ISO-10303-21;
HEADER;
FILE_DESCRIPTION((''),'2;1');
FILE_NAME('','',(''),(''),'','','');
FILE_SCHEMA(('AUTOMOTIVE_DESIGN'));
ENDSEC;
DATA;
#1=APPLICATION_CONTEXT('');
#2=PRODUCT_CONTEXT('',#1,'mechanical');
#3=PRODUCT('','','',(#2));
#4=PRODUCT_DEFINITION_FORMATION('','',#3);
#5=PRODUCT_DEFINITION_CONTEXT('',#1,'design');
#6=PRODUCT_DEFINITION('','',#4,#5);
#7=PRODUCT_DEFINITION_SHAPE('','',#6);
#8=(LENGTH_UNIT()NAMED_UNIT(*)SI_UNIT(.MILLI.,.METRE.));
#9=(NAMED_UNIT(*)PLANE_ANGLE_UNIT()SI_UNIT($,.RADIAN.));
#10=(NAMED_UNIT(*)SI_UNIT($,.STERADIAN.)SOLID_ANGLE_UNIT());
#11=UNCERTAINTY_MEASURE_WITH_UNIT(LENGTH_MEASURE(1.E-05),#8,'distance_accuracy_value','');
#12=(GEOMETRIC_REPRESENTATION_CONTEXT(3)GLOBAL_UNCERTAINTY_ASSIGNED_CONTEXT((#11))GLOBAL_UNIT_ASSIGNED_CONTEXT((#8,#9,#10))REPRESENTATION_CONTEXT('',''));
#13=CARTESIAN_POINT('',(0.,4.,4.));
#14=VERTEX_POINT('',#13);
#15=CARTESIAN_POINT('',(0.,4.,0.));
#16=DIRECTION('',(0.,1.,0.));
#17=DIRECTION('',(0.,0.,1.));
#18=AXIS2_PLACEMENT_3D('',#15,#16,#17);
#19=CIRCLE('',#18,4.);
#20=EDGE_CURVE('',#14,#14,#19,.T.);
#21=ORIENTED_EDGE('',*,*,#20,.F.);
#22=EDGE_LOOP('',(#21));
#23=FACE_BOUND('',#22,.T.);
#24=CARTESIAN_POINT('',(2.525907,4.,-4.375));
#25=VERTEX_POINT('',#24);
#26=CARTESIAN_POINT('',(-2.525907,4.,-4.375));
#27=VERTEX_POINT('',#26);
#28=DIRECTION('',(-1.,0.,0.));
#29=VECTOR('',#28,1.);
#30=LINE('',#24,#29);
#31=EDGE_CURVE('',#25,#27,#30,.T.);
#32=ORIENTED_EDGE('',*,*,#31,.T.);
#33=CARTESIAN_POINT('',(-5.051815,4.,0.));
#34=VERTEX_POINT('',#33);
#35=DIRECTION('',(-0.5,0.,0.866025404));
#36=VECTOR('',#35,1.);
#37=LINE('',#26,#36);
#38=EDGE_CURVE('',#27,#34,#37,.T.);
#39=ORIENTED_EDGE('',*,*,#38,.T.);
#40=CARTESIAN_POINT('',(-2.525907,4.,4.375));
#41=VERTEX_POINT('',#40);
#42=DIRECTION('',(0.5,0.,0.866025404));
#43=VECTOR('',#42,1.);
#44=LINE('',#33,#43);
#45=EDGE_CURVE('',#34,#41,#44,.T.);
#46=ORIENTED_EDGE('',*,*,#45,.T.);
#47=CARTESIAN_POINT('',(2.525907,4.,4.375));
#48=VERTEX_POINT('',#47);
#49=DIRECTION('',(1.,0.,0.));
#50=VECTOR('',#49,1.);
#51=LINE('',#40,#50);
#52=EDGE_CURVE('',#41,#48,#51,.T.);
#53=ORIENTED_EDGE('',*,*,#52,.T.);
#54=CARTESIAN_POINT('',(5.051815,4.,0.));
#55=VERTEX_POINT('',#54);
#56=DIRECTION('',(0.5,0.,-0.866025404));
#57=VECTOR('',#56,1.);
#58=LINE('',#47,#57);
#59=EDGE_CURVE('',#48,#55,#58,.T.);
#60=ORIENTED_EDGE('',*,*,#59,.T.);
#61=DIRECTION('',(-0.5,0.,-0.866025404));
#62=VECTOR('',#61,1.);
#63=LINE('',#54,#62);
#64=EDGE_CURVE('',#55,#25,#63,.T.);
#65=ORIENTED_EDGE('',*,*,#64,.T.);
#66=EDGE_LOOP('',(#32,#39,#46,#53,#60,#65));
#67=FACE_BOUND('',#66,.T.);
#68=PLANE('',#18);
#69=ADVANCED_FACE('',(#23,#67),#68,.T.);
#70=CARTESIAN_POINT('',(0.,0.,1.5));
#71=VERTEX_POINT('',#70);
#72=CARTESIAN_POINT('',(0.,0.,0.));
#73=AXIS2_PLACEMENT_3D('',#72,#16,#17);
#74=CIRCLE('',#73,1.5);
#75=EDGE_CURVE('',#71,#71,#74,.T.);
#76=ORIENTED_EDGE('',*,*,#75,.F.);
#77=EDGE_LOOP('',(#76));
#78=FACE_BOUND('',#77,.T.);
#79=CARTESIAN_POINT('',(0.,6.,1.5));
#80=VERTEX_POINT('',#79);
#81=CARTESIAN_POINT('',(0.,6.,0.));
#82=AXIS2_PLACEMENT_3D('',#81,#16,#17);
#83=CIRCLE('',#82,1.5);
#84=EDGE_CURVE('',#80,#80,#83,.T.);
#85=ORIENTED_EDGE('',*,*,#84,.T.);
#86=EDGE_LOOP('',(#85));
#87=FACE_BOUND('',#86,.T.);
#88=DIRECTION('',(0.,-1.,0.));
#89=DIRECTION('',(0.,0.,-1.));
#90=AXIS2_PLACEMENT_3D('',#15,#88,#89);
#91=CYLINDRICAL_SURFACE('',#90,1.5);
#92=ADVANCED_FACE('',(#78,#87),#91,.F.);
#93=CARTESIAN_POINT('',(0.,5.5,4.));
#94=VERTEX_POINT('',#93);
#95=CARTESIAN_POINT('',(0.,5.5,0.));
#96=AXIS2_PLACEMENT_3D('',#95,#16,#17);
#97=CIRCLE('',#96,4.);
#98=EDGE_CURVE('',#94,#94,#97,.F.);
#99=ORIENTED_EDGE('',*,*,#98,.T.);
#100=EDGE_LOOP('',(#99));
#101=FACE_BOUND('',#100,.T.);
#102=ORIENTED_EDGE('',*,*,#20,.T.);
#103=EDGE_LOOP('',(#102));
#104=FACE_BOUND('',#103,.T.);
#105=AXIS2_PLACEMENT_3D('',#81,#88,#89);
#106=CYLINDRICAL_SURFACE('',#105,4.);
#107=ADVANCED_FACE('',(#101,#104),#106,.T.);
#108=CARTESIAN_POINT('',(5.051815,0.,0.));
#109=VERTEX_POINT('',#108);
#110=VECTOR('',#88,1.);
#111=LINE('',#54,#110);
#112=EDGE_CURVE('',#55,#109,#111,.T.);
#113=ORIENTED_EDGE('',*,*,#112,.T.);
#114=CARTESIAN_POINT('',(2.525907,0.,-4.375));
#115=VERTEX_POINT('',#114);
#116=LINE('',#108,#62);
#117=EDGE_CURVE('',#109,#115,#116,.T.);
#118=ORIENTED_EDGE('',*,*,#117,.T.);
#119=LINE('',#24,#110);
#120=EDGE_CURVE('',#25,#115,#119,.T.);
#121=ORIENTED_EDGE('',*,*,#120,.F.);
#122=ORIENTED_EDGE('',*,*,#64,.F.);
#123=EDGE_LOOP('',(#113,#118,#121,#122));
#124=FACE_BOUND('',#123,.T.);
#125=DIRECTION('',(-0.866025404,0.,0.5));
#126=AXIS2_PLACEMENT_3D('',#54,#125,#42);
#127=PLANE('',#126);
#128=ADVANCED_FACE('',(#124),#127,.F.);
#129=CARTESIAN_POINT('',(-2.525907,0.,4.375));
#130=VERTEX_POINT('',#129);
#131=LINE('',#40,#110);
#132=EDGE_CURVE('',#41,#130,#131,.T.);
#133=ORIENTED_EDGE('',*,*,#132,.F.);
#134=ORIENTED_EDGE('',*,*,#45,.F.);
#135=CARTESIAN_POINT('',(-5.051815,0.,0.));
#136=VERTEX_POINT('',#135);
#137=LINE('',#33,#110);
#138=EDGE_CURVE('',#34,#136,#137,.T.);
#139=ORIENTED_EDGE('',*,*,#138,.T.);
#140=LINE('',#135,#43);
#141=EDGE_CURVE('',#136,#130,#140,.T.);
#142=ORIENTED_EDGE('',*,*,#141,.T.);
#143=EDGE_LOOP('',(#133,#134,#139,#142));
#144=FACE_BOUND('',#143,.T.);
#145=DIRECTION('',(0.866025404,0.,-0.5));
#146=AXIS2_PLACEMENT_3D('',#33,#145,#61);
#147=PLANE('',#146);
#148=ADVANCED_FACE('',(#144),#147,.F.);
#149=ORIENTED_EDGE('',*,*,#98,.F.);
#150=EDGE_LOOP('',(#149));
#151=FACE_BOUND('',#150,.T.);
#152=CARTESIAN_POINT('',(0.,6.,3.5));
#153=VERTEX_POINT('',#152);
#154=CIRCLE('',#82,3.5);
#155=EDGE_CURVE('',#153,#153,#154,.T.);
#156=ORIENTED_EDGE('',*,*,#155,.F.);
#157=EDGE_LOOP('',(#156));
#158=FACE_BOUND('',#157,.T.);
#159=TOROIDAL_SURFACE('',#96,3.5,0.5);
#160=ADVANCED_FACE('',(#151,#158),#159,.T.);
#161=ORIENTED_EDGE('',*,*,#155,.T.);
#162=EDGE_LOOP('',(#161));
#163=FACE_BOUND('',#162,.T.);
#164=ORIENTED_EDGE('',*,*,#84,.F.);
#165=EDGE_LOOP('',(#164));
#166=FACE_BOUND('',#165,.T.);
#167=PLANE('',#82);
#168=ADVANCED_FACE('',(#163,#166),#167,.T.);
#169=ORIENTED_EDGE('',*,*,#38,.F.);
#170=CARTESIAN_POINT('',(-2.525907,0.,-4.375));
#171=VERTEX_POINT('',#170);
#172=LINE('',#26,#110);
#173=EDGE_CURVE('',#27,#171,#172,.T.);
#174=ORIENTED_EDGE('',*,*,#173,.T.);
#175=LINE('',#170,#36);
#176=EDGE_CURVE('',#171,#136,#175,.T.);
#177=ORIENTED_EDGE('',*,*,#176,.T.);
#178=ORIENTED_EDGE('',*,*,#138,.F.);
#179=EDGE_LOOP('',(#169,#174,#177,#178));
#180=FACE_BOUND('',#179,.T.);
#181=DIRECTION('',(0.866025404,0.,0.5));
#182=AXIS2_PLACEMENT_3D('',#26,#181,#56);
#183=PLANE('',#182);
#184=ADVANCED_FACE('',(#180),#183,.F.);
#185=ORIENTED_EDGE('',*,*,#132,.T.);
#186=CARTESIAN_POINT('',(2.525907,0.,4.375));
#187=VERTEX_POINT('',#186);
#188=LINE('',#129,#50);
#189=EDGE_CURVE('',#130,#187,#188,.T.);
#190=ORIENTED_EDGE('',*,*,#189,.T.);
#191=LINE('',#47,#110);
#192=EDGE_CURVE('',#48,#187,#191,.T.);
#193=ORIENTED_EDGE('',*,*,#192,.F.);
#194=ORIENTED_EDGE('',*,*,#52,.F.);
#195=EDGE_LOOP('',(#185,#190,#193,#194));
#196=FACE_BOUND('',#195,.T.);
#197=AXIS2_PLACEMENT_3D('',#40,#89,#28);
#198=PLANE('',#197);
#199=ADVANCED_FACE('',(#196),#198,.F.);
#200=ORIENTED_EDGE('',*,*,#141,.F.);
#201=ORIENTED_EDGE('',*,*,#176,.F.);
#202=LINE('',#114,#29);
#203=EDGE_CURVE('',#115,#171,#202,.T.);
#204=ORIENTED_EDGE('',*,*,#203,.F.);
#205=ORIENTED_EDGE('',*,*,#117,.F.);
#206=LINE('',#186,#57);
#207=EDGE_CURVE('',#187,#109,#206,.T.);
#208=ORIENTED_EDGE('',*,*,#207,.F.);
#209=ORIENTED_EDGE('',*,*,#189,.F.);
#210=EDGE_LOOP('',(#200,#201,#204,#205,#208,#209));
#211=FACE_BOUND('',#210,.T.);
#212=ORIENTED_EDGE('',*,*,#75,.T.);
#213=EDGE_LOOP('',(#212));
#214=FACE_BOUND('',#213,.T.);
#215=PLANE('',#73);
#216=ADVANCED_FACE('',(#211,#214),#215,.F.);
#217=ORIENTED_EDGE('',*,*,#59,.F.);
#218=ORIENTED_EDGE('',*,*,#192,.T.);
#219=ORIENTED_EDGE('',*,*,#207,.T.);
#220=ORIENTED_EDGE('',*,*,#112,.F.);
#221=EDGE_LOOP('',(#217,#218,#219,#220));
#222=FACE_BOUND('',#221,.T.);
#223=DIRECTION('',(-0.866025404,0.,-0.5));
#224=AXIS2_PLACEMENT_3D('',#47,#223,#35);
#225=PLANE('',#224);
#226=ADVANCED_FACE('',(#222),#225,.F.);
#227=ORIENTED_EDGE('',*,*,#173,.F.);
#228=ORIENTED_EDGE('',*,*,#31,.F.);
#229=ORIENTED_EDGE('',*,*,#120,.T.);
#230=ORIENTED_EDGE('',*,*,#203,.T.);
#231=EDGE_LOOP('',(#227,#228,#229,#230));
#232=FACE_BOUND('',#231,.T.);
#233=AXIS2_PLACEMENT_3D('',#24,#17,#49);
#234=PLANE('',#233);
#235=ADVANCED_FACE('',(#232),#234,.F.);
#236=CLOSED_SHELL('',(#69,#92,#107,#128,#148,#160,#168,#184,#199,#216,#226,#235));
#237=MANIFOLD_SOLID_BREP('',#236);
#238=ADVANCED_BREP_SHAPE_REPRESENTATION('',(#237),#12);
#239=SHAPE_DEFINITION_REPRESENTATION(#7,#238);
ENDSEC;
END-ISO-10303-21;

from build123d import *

# Parameters (mm, degrees)
SKETCH1_R           = 1.5
BOSS_EXTRUDE1_DEPTH = 4
SKETCH2_R           = 4
SKETCH2_R_2         = 1.5
BOSS_EXTRUDE2_DEPTH = 2
FILLET1_R           = 0.5


with BuildPart() as part:
    # Sketch1 → Boss-Extrude1 (new body)
    with BuildSketch(Plane(origin=(0, 0, 0), x_dir=(1, 0, 0), z_dir=(0, 1, 0))):
        Polygon((2.525907428, 4.375), (-2.525907428, 4.375), (-5.051814855, 0), (-2.525907428, -4.375), (2.525907428, -4.375), (5.051814855, 0), align=None)
        with Locations(Location((0, 0, 0), (0, 0, 270))):
            Circle(SKETCH1_R, mode=Mode.SUBTRACT)
    extrude(amount=BOSS_EXTRUDE1_DEPTH)

    # Sketch2 → Boss-Extrude2 (add)
    with BuildSketch(Plane(origin=(0, 4, 0), x_dir=(1, 0, 0), z_dir=(0, 1, 0))):
        with Locations(Location((0, 0, 0), (0, 0, 270))):
            Circle(SKETCH2_R)
        with Locations(Location((0, 0, 0), (0, 0, 270))):
            Circle(SKETCH2_R_2, mode=Mode.SUBTRACT)
    extrude(amount=BOSS_EXTRUDE2_DEPTH)

    # Fillet1
    fillet1_edges = [part.edges().sort_by_distance(p)[0] for p in [
        (0, 6, -4),
    ]]
    fillet(fillet1_edges, radius=FILLET1_R)


solid = part.part
